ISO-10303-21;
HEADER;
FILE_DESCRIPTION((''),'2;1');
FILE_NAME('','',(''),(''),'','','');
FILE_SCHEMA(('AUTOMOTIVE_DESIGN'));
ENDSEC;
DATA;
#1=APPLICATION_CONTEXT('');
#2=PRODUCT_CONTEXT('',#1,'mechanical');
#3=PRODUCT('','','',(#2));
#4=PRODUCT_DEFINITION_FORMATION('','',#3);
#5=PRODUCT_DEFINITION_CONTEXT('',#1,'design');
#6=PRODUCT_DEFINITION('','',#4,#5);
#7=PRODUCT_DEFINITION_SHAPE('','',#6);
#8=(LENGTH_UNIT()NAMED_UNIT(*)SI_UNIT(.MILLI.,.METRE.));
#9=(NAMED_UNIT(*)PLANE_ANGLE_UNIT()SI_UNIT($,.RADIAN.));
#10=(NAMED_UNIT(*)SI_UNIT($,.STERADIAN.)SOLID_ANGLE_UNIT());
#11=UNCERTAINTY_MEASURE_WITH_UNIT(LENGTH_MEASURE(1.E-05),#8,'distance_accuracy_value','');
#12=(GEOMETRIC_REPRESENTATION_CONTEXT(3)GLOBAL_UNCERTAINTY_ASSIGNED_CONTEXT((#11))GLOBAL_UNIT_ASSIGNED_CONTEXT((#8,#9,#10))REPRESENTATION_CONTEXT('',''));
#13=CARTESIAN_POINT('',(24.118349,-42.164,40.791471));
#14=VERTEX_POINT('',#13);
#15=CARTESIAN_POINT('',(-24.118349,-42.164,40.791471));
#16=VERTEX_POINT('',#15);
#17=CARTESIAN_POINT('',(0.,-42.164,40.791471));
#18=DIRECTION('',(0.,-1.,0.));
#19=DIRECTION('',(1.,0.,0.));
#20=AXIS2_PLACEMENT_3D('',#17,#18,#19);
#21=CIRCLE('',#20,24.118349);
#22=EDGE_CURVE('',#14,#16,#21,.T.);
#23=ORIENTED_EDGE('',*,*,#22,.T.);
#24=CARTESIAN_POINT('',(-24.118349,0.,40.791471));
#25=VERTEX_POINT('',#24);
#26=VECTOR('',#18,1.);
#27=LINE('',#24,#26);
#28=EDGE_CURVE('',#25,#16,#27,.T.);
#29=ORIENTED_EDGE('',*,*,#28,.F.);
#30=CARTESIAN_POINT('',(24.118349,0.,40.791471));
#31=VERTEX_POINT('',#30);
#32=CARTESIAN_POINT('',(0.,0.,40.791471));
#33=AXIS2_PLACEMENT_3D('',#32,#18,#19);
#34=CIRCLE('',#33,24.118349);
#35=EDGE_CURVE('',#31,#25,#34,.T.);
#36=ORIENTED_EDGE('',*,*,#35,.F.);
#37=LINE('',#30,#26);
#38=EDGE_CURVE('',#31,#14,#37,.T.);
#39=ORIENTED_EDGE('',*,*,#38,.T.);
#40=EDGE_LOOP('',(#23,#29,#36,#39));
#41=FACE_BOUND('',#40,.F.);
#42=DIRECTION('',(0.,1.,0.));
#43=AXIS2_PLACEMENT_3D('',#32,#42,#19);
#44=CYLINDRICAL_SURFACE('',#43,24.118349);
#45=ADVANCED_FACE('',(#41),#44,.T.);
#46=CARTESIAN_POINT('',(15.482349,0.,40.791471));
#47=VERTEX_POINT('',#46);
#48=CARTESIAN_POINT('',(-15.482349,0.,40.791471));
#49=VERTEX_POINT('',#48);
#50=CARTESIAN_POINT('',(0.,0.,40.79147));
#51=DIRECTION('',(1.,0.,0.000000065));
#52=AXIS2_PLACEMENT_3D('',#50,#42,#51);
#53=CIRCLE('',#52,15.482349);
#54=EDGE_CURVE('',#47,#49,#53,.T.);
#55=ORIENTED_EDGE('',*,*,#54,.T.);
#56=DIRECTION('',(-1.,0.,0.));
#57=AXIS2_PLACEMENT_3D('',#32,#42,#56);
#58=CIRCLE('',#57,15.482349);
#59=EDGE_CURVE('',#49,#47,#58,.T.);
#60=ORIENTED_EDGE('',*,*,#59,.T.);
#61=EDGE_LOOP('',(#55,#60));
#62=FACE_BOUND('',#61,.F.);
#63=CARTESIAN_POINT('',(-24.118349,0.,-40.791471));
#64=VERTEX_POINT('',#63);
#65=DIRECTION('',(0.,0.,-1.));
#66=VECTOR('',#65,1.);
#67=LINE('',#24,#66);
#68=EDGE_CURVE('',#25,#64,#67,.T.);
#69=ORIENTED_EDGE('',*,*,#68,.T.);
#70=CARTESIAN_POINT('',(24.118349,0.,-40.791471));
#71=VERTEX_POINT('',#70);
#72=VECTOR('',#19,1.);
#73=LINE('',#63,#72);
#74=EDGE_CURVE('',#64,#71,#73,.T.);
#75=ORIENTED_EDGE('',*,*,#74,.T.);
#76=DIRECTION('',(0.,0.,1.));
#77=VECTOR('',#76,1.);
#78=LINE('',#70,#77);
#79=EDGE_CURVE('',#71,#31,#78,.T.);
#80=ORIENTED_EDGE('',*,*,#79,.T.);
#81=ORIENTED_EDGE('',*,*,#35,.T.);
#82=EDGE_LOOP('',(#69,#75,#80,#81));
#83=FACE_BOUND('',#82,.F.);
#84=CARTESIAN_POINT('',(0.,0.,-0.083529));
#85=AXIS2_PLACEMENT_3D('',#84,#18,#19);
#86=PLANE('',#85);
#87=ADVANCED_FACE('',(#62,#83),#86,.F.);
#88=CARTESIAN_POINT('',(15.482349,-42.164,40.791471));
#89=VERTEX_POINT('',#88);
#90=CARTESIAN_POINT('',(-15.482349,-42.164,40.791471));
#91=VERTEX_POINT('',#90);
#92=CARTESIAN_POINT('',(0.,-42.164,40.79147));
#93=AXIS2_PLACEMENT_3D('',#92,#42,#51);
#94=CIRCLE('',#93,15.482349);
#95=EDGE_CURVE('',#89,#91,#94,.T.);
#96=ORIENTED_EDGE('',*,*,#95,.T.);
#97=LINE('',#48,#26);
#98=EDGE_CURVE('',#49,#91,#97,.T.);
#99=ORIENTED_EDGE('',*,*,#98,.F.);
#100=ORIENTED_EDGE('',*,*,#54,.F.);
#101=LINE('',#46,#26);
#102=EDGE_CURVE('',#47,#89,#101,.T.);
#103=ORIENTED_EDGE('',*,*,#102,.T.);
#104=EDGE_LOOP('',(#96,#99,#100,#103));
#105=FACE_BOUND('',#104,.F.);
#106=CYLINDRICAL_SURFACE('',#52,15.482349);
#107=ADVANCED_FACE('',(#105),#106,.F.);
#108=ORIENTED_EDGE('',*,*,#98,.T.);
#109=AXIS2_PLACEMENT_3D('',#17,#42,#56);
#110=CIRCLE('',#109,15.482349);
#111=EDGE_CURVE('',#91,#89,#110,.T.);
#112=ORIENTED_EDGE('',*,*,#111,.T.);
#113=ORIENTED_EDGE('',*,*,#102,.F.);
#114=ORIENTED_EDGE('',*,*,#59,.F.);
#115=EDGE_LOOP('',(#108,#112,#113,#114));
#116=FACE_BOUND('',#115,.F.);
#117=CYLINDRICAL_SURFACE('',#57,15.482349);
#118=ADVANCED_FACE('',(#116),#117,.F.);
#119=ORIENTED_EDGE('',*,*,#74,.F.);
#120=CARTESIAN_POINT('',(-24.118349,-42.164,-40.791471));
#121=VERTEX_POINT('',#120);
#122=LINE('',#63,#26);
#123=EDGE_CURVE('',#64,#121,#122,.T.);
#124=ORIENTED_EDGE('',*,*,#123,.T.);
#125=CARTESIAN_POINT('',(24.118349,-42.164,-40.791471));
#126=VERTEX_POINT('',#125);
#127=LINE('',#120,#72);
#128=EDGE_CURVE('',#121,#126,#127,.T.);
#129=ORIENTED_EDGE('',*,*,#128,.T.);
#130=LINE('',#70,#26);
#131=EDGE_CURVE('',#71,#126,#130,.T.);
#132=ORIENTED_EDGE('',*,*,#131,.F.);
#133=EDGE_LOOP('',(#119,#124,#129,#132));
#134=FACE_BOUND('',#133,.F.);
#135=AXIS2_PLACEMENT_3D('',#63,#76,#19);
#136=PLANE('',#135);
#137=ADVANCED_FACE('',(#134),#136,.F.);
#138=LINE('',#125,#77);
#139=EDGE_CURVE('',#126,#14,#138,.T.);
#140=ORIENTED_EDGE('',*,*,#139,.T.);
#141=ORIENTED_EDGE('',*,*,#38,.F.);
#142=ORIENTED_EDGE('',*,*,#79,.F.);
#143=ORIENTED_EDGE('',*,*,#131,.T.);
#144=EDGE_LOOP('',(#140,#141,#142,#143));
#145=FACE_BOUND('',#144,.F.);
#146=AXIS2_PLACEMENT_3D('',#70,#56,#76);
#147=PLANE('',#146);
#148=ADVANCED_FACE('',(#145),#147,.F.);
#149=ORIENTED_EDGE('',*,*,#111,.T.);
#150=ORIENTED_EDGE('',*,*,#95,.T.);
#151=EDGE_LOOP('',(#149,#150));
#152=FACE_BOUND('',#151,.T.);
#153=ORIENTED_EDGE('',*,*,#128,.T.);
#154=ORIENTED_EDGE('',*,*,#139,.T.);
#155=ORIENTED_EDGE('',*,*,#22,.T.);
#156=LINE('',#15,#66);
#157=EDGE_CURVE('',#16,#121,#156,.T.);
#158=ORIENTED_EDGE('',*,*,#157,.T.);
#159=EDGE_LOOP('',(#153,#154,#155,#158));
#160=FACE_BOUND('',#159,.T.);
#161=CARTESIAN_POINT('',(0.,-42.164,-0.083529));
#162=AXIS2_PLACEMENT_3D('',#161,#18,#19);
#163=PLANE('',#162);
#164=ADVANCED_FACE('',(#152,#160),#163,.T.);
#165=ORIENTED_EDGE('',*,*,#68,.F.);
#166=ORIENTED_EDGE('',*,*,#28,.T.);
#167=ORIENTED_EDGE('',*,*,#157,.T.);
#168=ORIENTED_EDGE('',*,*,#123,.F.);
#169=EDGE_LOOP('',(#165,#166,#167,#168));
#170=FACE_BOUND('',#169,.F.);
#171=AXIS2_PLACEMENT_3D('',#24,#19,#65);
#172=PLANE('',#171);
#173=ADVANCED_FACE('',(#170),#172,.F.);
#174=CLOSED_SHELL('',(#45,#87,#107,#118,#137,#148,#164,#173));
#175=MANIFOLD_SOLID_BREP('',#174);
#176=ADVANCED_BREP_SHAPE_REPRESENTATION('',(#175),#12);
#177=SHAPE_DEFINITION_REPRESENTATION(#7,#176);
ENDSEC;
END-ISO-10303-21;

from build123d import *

# Parameters (mm, degrees)
F1_DEPTH = 42.164


with BuildPart() as f1:
    # F0 (on Front) → F1 (new body)
    with BuildSketch(Plane.XZ):
        with BuildLine():
            Line((24.118349, -40.791471), (24.118349, 40.791471))
            ThreePointArc((24.118349, 40.791471), (0, 16.673122), (-24.118349, 40.791471))
            Line((-24.118349, 40.791471), (-24.118349, -40.791471))
            Line((-24.118349, -40.791471), (24.118349, -40.791471))
        make_face()
        with BuildLine():
            Line((15.482349, 40.791471), (24.118349, 40.791471))
            ThreePointArc((24.118349, 40.791471), (0, 64.90982), (-24.118349, 40.791471))
            Line((-24.118349, 40.791471), (-15.482349, 40.791471))
            ThreePointArc((-15.482349, 40.791471), (0, 56.27382), (15.482349, 40.791471))
        make_face()
        with BuildLine():
            ThreePointArc((-24.118349, 40.791471), (0, 16.673122), (24.118349, 40.791471))
            Line((24.118349, 40.791471), (15.482349, 40.791471))
            ThreePointArc((15.482349, 40.791471), (0, 25.309121), (-15.482349, 40.791471))
            Line((-15.482349, 40.791471), (-24.118349, 40.791471))
        make_face()
    extrude(amount=F1_DEPTH)


solid = f1.part
